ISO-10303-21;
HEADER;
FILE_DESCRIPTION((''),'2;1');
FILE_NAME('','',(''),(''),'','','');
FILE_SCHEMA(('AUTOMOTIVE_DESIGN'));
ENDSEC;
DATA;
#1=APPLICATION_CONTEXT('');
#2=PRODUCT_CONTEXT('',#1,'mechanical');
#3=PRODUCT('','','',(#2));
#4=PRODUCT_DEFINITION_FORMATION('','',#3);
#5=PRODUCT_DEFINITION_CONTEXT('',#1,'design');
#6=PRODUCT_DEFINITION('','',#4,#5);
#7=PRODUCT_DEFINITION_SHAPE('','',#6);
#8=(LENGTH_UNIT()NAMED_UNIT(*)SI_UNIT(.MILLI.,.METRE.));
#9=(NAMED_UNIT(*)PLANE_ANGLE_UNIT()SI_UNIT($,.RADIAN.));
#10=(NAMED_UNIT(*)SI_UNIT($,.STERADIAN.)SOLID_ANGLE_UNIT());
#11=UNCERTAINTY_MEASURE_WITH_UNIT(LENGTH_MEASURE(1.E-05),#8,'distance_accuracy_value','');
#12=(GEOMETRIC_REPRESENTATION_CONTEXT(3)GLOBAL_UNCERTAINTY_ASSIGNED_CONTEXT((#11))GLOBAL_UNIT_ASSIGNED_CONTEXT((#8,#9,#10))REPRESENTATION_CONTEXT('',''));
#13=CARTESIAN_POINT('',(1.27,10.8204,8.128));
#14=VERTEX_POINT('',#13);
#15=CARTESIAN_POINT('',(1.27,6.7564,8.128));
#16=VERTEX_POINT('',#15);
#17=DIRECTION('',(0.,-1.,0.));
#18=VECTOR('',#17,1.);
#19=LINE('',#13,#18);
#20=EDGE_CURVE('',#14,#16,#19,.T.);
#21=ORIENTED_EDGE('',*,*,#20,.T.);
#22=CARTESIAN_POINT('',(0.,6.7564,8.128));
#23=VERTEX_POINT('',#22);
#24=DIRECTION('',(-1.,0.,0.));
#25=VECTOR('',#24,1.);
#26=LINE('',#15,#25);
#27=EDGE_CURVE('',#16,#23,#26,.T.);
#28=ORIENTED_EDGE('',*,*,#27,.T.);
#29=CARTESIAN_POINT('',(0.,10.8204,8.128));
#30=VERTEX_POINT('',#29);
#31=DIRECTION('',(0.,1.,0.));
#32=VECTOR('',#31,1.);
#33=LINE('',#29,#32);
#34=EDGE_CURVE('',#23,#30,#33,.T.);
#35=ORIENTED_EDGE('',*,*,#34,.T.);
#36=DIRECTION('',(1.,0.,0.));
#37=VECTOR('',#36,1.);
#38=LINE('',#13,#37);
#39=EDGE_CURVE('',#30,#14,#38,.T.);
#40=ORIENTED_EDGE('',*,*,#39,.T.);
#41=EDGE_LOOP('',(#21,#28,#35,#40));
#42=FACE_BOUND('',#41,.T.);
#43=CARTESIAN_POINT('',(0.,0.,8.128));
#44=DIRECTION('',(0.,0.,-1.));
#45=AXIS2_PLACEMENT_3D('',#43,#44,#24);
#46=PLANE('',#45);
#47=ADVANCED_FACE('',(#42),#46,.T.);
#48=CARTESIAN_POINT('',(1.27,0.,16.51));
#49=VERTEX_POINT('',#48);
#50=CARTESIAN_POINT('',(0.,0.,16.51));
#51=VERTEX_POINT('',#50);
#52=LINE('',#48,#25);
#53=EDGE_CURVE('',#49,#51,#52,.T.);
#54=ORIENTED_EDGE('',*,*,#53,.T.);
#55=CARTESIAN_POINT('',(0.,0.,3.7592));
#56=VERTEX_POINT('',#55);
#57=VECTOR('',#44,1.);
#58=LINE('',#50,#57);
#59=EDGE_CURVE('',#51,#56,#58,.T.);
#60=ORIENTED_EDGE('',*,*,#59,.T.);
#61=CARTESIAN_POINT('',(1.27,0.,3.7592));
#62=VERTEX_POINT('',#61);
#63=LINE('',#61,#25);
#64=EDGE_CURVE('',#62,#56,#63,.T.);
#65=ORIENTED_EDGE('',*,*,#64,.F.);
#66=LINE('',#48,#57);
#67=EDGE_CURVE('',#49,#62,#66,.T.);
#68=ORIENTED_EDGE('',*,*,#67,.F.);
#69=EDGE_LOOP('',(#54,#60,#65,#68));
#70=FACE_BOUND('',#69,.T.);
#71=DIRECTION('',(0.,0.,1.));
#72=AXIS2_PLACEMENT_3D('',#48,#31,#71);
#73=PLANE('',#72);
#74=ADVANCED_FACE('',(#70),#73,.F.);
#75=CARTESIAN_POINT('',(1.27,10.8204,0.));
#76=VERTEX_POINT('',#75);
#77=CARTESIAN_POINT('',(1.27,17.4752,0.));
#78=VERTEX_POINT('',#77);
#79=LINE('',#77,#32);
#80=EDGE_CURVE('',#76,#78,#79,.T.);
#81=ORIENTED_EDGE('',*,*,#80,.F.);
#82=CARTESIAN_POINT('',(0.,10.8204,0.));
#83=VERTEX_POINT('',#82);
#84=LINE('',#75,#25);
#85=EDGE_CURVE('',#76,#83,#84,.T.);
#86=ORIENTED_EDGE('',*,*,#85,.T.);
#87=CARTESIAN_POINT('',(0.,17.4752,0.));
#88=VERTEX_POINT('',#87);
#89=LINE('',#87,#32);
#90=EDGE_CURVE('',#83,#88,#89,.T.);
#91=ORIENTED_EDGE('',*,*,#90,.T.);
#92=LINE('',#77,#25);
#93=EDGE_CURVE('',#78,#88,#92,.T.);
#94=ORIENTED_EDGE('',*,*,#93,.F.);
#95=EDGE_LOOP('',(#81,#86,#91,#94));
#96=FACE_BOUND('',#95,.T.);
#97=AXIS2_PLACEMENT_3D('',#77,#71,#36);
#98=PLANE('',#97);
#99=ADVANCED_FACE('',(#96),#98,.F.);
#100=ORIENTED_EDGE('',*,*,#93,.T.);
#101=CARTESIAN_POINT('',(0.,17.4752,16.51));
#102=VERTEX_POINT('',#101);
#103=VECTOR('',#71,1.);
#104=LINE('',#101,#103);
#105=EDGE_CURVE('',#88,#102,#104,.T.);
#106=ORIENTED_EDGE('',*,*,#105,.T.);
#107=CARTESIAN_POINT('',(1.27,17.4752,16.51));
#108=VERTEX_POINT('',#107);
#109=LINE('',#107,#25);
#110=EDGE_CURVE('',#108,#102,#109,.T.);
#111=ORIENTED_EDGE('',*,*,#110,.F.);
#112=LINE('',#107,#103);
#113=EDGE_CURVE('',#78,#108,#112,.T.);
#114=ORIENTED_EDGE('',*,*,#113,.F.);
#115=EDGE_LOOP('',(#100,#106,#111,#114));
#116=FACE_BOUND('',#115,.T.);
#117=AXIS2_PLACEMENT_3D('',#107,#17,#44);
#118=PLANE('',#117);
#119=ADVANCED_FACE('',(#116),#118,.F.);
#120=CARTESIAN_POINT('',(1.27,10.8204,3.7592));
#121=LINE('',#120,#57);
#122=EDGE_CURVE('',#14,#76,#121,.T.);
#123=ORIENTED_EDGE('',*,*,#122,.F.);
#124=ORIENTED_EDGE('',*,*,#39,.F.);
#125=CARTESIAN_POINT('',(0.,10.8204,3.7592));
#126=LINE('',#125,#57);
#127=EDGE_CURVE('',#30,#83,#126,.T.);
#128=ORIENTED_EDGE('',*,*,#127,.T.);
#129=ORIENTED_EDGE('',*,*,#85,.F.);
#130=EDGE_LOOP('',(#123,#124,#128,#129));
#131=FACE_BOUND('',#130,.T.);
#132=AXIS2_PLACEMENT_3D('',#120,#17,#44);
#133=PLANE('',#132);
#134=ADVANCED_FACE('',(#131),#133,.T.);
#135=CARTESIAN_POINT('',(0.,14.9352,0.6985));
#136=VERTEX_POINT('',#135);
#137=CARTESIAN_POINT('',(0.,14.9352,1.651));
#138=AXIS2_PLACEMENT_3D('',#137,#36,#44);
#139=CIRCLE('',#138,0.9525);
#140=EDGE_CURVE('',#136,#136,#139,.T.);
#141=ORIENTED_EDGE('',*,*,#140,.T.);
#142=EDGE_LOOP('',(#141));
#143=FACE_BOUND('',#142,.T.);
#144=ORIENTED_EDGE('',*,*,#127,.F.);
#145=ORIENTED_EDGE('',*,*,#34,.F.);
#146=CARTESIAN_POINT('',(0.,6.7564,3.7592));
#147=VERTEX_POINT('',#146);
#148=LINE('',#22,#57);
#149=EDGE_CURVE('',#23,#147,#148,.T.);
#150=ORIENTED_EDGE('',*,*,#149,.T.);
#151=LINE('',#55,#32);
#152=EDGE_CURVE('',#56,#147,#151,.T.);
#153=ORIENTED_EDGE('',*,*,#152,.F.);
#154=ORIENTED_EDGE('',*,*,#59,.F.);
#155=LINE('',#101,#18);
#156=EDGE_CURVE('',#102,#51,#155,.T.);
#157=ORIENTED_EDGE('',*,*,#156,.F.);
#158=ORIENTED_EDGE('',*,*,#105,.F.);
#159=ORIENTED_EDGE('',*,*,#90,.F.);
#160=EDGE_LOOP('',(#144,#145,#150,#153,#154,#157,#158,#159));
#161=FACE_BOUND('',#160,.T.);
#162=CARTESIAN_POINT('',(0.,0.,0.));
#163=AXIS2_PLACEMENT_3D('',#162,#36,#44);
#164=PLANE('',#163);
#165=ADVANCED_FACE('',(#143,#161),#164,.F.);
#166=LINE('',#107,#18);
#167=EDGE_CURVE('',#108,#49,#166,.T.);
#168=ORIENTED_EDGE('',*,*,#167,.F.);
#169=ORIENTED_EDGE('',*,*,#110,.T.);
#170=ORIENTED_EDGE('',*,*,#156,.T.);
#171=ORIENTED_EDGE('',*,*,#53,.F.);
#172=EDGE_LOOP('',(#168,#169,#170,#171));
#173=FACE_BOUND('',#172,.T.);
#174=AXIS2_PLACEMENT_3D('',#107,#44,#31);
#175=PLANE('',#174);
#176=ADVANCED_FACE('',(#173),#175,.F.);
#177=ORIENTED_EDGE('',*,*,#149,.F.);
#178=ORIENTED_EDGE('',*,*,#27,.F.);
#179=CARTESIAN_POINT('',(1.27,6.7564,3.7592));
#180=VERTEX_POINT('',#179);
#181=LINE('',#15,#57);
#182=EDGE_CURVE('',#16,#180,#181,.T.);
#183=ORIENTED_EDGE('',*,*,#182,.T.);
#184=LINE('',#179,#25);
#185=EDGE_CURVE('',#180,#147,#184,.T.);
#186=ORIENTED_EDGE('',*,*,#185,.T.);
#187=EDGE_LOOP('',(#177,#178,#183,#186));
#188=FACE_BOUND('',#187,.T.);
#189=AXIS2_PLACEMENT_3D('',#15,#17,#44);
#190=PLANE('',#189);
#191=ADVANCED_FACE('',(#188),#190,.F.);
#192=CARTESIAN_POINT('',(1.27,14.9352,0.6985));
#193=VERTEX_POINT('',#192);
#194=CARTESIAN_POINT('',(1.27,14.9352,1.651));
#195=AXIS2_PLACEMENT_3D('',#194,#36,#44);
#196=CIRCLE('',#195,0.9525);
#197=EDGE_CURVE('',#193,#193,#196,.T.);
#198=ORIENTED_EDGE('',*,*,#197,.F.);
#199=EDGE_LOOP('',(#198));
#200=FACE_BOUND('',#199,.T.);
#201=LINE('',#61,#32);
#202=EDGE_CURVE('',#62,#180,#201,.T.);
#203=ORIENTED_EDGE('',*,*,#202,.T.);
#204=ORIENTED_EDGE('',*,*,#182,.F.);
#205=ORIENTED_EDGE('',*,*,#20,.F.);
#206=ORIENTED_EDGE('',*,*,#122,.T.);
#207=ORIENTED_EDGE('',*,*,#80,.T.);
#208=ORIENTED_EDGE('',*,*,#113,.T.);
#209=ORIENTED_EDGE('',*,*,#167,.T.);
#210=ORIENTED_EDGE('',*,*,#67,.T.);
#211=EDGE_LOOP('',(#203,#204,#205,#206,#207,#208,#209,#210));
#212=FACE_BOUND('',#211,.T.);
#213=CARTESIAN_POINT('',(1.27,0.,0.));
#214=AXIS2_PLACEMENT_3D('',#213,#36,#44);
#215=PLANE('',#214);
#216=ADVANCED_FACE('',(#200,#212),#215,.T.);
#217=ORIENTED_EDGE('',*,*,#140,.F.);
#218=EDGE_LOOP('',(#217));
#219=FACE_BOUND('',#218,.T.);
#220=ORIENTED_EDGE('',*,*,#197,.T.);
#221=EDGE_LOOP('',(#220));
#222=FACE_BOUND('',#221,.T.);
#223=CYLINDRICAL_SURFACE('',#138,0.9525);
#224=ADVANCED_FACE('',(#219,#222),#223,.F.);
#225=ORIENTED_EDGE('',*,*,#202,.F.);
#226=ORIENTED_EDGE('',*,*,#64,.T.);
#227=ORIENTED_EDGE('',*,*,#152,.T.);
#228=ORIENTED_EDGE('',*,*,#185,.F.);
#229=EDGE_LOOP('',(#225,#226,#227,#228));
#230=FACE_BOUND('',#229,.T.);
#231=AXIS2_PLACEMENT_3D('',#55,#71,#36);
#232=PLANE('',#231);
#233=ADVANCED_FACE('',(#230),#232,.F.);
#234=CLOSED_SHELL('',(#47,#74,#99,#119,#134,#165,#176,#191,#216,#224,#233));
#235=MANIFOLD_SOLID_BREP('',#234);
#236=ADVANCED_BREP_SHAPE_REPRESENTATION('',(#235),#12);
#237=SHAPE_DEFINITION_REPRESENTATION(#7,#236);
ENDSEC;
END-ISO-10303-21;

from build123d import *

# Parameters (mm, degrees)
SKETCH1_W           = 16.51
SKETCH1_H           = 17.4752
BOSS_EXTRUDE1_DEPTH = 1.27
SKETCH2_R           = 0.9525
CUT_EXTRUDE1_DEPTH  = 25.074376732
SKETCH4_W           = 1.27
SKETCH4_H           = 10.8204
CUT_EXTRUDE2_DEPTH  = 3.7592
SKETCH5_W           = 1.27
SKETCH5_H           = 4.064
CUT_EXTRUDE3_DEPTH  = 4.3688


with BuildPart() as part:
    # Sketch1 → Boss-Extrude1 (new body)
    with BuildSketch(Plane(origin=(0, 0, 0), x_dir=(0, 0, -1), z_dir=(1, 0, 0))):
        with Locations((-8.255, 8.7376)):
            Rectangle(SKETCH1_W, SKETCH1_H)
    extrude(amount=BOSS_EXTRUDE1_DEPTH)

    # Sketch2 → Cut-Extrude1 (cut, through all)
    with BuildSketch(Plane(origin=(1.27, 0, 0), x_dir=(0, 0, -1), z_dir=(1, 0, 0))):
        with Locations((-1.651, 14.9352)):
            Circle(SKETCH2_R)
    extrude(amount=-CUT_EXTRUDE1_DEPTH, mode=Mode.SUBTRACT)

    # Sketch4 → Cut-Extrude2 (cut)
    with BuildSketch(Plane(origin=(0, 0, 0), x_dir=(-1, 0, 0), z_dir=(0, 0, -1))):
        with Locations((-0.635, 5.4102)):
            Rectangle(SKETCH4_W, SKETCH4_H)
    extrude(amount=-CUT_EXTRUDE2_DEPTH, mode=Mode.SUBTRACT)

    # Sketch5 → Cut-Extrude3 (cut)
    with BuildSketch(Plane(origin=(0, 0, 3.7592), x_dir=(-1, 0, 0), z_dir=(0, 0, -1))):
        with Locations((-0.635, 8.7884)):
            Rectangle(SKETCH5_W, SKETCH5_H)
    extrude(amount=-CUT_EXTRUDE3_DEPTH, mode=Mode.SUBTRACT)


solid = part.part
